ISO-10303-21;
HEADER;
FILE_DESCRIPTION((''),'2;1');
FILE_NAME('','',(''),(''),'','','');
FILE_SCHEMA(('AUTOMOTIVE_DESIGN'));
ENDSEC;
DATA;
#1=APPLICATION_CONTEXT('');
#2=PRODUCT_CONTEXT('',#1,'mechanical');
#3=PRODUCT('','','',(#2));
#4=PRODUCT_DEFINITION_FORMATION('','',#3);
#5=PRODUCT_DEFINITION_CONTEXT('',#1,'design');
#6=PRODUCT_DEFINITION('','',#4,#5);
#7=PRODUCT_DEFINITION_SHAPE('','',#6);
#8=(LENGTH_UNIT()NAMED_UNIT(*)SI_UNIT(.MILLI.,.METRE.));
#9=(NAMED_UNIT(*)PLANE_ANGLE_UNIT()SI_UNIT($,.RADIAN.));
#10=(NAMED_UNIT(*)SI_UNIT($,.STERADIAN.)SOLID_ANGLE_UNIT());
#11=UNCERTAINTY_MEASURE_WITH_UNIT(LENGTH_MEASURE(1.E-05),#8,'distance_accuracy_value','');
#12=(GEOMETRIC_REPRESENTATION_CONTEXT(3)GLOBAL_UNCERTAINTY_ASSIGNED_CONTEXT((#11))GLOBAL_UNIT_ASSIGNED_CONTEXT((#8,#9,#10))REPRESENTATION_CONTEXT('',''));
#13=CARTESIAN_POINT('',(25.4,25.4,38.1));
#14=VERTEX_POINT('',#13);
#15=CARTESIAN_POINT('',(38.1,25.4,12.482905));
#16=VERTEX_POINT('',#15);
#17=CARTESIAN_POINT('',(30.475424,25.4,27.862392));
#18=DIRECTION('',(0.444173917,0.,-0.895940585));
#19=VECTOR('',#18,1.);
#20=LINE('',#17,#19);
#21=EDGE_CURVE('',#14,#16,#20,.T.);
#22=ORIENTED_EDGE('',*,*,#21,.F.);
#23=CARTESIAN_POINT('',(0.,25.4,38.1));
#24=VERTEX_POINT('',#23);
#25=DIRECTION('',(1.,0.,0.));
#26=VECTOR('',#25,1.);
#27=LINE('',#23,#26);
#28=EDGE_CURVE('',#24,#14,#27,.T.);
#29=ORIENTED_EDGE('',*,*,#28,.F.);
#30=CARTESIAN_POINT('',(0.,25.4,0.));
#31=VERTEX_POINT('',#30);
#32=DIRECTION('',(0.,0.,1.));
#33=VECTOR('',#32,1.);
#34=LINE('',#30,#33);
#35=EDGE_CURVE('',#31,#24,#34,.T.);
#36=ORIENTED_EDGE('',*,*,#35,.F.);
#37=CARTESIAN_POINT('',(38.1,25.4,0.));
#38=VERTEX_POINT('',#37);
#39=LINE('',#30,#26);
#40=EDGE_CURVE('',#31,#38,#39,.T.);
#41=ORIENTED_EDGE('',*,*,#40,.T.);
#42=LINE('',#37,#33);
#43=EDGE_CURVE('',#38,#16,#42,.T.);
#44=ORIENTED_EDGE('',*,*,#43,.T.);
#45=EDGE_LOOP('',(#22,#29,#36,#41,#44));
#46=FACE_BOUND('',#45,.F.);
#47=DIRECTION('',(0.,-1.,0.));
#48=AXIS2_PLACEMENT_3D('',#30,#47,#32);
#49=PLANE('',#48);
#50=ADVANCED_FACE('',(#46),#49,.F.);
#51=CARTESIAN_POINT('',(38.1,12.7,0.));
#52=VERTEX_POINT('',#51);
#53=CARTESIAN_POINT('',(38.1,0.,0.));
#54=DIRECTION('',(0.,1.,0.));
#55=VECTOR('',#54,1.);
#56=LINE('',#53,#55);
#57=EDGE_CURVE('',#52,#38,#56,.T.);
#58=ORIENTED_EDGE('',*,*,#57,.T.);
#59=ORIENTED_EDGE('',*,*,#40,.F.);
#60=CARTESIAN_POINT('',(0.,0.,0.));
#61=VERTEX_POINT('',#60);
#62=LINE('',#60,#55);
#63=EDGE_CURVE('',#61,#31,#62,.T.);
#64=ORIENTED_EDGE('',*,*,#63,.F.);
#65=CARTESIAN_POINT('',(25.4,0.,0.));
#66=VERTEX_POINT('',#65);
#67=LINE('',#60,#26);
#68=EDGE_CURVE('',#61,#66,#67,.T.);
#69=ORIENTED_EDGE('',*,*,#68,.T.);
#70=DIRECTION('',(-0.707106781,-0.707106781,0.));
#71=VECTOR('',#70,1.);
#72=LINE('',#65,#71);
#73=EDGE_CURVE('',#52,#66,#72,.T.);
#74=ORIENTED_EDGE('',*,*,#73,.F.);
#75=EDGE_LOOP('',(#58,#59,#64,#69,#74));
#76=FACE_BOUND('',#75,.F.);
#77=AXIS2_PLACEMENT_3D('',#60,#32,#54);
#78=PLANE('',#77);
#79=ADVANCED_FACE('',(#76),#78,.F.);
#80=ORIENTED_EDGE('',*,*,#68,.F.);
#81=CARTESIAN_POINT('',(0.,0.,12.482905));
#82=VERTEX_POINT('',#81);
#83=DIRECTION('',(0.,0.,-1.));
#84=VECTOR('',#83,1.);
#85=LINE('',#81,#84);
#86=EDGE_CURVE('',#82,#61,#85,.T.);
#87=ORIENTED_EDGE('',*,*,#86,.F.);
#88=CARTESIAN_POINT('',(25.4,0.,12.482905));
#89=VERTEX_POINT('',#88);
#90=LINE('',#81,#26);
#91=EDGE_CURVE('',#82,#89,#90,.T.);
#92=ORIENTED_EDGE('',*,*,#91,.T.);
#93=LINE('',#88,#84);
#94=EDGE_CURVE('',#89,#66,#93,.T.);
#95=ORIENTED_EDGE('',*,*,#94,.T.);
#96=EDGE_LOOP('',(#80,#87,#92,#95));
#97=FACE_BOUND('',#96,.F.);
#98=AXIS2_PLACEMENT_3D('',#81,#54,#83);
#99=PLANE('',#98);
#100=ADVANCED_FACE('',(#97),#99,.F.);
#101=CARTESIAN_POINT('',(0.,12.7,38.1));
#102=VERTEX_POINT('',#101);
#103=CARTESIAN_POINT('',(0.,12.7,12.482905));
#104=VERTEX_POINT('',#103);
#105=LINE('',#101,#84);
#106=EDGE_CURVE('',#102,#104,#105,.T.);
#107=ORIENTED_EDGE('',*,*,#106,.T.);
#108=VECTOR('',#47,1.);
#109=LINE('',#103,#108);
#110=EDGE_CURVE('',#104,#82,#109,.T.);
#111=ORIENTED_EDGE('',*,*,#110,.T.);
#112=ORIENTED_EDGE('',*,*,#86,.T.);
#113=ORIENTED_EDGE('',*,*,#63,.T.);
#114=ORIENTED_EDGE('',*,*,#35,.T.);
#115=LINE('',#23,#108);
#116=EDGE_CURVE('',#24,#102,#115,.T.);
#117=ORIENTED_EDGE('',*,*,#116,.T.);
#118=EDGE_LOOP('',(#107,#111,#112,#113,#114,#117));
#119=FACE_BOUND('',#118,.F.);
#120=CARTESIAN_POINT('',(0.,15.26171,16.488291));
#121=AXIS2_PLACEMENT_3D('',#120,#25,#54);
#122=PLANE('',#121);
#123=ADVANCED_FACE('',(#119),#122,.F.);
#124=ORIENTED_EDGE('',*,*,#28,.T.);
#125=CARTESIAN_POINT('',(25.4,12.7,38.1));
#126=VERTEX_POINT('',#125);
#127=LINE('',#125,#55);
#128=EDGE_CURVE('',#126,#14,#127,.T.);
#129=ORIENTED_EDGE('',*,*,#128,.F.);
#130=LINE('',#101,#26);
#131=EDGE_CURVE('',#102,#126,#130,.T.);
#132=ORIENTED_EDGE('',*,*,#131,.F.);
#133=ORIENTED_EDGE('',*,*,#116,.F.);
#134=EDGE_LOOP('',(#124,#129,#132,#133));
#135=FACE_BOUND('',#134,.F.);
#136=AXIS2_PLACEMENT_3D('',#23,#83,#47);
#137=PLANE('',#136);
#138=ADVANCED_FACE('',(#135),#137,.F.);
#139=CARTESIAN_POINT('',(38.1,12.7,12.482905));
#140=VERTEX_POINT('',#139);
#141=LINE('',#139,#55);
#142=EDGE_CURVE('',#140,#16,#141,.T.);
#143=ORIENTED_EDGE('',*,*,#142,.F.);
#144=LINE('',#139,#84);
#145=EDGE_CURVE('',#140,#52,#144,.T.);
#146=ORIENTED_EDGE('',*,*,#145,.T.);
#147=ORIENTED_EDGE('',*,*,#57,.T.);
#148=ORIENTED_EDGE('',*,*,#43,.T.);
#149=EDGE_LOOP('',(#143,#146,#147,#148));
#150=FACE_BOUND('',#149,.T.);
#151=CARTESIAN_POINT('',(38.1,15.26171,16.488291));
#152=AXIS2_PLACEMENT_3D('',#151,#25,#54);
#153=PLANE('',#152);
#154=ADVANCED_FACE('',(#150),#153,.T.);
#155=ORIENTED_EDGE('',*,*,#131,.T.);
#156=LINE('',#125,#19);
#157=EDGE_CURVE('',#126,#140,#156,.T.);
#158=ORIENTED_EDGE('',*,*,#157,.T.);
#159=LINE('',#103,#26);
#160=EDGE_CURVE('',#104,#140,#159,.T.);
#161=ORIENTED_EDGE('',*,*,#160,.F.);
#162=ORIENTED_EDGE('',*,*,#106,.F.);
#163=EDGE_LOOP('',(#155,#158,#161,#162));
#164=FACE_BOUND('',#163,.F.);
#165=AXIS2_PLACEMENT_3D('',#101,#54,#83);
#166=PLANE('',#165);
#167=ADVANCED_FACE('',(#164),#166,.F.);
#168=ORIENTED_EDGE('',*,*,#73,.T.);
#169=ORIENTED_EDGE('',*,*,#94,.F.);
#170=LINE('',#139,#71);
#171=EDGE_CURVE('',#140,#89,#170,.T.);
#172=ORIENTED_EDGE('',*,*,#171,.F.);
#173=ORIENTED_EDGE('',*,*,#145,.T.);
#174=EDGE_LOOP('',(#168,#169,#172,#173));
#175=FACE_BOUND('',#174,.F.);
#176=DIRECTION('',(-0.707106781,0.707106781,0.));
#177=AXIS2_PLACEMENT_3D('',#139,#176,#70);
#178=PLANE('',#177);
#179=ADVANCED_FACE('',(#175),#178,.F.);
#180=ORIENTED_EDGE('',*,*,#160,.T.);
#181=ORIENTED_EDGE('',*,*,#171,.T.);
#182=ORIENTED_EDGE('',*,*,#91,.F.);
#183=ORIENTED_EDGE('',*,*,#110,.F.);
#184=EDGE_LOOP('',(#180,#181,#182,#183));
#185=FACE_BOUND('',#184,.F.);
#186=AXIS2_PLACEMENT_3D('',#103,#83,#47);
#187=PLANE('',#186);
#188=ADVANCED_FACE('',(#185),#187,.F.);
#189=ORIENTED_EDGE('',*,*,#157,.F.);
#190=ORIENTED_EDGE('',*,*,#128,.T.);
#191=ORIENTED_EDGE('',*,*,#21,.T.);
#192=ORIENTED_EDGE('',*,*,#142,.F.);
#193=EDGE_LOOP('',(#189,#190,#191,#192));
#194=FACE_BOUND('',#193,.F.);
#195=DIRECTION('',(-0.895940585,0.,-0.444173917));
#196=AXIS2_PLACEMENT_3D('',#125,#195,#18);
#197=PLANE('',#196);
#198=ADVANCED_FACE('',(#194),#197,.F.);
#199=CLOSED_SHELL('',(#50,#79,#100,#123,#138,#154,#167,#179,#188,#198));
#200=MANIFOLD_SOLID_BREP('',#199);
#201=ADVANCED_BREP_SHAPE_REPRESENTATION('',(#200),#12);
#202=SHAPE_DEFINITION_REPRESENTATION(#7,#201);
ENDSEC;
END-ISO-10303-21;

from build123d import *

# Parameters (mm, degrees)
F1_DEPTH = 38.1
F3_DEPTH = 25.4
F5_DEPTH = 25.4


with BuildPart() as f1:
    # F0 (on Right) → F1 (new body)
    with BuildSketch(Plane.YZ):
        Polygon((12.7, 12.482905), (0, 12.482905), (0, 0), (25.4, 0), (25.4, 38.1), (12.7, 38.1), align=None)
    extrude(amount=F1_DEPTH)

    # F2 (on face) → F3 (cut)
    with BuildSketch(Plane.XZ.offset(-12.7)):
        Polygon((38.1, 38.1), (25.4, 38.1), (38.1, 12.482905), align=None)
    extrude(amount=-F3_DEPTH, mode=Mode.SUBTRACT)

    # F4 (on face) → F5 (cut)
    with BuildSketch(Plane.XY.offset(12.482905)):
        Polygon((38.1, 0), (38.1, 12.7), (25.4, 0), align=None)
    extrude(amount=-F5_DEPTH, mode=Mode.SUBTRACT)


solid = f1.part
